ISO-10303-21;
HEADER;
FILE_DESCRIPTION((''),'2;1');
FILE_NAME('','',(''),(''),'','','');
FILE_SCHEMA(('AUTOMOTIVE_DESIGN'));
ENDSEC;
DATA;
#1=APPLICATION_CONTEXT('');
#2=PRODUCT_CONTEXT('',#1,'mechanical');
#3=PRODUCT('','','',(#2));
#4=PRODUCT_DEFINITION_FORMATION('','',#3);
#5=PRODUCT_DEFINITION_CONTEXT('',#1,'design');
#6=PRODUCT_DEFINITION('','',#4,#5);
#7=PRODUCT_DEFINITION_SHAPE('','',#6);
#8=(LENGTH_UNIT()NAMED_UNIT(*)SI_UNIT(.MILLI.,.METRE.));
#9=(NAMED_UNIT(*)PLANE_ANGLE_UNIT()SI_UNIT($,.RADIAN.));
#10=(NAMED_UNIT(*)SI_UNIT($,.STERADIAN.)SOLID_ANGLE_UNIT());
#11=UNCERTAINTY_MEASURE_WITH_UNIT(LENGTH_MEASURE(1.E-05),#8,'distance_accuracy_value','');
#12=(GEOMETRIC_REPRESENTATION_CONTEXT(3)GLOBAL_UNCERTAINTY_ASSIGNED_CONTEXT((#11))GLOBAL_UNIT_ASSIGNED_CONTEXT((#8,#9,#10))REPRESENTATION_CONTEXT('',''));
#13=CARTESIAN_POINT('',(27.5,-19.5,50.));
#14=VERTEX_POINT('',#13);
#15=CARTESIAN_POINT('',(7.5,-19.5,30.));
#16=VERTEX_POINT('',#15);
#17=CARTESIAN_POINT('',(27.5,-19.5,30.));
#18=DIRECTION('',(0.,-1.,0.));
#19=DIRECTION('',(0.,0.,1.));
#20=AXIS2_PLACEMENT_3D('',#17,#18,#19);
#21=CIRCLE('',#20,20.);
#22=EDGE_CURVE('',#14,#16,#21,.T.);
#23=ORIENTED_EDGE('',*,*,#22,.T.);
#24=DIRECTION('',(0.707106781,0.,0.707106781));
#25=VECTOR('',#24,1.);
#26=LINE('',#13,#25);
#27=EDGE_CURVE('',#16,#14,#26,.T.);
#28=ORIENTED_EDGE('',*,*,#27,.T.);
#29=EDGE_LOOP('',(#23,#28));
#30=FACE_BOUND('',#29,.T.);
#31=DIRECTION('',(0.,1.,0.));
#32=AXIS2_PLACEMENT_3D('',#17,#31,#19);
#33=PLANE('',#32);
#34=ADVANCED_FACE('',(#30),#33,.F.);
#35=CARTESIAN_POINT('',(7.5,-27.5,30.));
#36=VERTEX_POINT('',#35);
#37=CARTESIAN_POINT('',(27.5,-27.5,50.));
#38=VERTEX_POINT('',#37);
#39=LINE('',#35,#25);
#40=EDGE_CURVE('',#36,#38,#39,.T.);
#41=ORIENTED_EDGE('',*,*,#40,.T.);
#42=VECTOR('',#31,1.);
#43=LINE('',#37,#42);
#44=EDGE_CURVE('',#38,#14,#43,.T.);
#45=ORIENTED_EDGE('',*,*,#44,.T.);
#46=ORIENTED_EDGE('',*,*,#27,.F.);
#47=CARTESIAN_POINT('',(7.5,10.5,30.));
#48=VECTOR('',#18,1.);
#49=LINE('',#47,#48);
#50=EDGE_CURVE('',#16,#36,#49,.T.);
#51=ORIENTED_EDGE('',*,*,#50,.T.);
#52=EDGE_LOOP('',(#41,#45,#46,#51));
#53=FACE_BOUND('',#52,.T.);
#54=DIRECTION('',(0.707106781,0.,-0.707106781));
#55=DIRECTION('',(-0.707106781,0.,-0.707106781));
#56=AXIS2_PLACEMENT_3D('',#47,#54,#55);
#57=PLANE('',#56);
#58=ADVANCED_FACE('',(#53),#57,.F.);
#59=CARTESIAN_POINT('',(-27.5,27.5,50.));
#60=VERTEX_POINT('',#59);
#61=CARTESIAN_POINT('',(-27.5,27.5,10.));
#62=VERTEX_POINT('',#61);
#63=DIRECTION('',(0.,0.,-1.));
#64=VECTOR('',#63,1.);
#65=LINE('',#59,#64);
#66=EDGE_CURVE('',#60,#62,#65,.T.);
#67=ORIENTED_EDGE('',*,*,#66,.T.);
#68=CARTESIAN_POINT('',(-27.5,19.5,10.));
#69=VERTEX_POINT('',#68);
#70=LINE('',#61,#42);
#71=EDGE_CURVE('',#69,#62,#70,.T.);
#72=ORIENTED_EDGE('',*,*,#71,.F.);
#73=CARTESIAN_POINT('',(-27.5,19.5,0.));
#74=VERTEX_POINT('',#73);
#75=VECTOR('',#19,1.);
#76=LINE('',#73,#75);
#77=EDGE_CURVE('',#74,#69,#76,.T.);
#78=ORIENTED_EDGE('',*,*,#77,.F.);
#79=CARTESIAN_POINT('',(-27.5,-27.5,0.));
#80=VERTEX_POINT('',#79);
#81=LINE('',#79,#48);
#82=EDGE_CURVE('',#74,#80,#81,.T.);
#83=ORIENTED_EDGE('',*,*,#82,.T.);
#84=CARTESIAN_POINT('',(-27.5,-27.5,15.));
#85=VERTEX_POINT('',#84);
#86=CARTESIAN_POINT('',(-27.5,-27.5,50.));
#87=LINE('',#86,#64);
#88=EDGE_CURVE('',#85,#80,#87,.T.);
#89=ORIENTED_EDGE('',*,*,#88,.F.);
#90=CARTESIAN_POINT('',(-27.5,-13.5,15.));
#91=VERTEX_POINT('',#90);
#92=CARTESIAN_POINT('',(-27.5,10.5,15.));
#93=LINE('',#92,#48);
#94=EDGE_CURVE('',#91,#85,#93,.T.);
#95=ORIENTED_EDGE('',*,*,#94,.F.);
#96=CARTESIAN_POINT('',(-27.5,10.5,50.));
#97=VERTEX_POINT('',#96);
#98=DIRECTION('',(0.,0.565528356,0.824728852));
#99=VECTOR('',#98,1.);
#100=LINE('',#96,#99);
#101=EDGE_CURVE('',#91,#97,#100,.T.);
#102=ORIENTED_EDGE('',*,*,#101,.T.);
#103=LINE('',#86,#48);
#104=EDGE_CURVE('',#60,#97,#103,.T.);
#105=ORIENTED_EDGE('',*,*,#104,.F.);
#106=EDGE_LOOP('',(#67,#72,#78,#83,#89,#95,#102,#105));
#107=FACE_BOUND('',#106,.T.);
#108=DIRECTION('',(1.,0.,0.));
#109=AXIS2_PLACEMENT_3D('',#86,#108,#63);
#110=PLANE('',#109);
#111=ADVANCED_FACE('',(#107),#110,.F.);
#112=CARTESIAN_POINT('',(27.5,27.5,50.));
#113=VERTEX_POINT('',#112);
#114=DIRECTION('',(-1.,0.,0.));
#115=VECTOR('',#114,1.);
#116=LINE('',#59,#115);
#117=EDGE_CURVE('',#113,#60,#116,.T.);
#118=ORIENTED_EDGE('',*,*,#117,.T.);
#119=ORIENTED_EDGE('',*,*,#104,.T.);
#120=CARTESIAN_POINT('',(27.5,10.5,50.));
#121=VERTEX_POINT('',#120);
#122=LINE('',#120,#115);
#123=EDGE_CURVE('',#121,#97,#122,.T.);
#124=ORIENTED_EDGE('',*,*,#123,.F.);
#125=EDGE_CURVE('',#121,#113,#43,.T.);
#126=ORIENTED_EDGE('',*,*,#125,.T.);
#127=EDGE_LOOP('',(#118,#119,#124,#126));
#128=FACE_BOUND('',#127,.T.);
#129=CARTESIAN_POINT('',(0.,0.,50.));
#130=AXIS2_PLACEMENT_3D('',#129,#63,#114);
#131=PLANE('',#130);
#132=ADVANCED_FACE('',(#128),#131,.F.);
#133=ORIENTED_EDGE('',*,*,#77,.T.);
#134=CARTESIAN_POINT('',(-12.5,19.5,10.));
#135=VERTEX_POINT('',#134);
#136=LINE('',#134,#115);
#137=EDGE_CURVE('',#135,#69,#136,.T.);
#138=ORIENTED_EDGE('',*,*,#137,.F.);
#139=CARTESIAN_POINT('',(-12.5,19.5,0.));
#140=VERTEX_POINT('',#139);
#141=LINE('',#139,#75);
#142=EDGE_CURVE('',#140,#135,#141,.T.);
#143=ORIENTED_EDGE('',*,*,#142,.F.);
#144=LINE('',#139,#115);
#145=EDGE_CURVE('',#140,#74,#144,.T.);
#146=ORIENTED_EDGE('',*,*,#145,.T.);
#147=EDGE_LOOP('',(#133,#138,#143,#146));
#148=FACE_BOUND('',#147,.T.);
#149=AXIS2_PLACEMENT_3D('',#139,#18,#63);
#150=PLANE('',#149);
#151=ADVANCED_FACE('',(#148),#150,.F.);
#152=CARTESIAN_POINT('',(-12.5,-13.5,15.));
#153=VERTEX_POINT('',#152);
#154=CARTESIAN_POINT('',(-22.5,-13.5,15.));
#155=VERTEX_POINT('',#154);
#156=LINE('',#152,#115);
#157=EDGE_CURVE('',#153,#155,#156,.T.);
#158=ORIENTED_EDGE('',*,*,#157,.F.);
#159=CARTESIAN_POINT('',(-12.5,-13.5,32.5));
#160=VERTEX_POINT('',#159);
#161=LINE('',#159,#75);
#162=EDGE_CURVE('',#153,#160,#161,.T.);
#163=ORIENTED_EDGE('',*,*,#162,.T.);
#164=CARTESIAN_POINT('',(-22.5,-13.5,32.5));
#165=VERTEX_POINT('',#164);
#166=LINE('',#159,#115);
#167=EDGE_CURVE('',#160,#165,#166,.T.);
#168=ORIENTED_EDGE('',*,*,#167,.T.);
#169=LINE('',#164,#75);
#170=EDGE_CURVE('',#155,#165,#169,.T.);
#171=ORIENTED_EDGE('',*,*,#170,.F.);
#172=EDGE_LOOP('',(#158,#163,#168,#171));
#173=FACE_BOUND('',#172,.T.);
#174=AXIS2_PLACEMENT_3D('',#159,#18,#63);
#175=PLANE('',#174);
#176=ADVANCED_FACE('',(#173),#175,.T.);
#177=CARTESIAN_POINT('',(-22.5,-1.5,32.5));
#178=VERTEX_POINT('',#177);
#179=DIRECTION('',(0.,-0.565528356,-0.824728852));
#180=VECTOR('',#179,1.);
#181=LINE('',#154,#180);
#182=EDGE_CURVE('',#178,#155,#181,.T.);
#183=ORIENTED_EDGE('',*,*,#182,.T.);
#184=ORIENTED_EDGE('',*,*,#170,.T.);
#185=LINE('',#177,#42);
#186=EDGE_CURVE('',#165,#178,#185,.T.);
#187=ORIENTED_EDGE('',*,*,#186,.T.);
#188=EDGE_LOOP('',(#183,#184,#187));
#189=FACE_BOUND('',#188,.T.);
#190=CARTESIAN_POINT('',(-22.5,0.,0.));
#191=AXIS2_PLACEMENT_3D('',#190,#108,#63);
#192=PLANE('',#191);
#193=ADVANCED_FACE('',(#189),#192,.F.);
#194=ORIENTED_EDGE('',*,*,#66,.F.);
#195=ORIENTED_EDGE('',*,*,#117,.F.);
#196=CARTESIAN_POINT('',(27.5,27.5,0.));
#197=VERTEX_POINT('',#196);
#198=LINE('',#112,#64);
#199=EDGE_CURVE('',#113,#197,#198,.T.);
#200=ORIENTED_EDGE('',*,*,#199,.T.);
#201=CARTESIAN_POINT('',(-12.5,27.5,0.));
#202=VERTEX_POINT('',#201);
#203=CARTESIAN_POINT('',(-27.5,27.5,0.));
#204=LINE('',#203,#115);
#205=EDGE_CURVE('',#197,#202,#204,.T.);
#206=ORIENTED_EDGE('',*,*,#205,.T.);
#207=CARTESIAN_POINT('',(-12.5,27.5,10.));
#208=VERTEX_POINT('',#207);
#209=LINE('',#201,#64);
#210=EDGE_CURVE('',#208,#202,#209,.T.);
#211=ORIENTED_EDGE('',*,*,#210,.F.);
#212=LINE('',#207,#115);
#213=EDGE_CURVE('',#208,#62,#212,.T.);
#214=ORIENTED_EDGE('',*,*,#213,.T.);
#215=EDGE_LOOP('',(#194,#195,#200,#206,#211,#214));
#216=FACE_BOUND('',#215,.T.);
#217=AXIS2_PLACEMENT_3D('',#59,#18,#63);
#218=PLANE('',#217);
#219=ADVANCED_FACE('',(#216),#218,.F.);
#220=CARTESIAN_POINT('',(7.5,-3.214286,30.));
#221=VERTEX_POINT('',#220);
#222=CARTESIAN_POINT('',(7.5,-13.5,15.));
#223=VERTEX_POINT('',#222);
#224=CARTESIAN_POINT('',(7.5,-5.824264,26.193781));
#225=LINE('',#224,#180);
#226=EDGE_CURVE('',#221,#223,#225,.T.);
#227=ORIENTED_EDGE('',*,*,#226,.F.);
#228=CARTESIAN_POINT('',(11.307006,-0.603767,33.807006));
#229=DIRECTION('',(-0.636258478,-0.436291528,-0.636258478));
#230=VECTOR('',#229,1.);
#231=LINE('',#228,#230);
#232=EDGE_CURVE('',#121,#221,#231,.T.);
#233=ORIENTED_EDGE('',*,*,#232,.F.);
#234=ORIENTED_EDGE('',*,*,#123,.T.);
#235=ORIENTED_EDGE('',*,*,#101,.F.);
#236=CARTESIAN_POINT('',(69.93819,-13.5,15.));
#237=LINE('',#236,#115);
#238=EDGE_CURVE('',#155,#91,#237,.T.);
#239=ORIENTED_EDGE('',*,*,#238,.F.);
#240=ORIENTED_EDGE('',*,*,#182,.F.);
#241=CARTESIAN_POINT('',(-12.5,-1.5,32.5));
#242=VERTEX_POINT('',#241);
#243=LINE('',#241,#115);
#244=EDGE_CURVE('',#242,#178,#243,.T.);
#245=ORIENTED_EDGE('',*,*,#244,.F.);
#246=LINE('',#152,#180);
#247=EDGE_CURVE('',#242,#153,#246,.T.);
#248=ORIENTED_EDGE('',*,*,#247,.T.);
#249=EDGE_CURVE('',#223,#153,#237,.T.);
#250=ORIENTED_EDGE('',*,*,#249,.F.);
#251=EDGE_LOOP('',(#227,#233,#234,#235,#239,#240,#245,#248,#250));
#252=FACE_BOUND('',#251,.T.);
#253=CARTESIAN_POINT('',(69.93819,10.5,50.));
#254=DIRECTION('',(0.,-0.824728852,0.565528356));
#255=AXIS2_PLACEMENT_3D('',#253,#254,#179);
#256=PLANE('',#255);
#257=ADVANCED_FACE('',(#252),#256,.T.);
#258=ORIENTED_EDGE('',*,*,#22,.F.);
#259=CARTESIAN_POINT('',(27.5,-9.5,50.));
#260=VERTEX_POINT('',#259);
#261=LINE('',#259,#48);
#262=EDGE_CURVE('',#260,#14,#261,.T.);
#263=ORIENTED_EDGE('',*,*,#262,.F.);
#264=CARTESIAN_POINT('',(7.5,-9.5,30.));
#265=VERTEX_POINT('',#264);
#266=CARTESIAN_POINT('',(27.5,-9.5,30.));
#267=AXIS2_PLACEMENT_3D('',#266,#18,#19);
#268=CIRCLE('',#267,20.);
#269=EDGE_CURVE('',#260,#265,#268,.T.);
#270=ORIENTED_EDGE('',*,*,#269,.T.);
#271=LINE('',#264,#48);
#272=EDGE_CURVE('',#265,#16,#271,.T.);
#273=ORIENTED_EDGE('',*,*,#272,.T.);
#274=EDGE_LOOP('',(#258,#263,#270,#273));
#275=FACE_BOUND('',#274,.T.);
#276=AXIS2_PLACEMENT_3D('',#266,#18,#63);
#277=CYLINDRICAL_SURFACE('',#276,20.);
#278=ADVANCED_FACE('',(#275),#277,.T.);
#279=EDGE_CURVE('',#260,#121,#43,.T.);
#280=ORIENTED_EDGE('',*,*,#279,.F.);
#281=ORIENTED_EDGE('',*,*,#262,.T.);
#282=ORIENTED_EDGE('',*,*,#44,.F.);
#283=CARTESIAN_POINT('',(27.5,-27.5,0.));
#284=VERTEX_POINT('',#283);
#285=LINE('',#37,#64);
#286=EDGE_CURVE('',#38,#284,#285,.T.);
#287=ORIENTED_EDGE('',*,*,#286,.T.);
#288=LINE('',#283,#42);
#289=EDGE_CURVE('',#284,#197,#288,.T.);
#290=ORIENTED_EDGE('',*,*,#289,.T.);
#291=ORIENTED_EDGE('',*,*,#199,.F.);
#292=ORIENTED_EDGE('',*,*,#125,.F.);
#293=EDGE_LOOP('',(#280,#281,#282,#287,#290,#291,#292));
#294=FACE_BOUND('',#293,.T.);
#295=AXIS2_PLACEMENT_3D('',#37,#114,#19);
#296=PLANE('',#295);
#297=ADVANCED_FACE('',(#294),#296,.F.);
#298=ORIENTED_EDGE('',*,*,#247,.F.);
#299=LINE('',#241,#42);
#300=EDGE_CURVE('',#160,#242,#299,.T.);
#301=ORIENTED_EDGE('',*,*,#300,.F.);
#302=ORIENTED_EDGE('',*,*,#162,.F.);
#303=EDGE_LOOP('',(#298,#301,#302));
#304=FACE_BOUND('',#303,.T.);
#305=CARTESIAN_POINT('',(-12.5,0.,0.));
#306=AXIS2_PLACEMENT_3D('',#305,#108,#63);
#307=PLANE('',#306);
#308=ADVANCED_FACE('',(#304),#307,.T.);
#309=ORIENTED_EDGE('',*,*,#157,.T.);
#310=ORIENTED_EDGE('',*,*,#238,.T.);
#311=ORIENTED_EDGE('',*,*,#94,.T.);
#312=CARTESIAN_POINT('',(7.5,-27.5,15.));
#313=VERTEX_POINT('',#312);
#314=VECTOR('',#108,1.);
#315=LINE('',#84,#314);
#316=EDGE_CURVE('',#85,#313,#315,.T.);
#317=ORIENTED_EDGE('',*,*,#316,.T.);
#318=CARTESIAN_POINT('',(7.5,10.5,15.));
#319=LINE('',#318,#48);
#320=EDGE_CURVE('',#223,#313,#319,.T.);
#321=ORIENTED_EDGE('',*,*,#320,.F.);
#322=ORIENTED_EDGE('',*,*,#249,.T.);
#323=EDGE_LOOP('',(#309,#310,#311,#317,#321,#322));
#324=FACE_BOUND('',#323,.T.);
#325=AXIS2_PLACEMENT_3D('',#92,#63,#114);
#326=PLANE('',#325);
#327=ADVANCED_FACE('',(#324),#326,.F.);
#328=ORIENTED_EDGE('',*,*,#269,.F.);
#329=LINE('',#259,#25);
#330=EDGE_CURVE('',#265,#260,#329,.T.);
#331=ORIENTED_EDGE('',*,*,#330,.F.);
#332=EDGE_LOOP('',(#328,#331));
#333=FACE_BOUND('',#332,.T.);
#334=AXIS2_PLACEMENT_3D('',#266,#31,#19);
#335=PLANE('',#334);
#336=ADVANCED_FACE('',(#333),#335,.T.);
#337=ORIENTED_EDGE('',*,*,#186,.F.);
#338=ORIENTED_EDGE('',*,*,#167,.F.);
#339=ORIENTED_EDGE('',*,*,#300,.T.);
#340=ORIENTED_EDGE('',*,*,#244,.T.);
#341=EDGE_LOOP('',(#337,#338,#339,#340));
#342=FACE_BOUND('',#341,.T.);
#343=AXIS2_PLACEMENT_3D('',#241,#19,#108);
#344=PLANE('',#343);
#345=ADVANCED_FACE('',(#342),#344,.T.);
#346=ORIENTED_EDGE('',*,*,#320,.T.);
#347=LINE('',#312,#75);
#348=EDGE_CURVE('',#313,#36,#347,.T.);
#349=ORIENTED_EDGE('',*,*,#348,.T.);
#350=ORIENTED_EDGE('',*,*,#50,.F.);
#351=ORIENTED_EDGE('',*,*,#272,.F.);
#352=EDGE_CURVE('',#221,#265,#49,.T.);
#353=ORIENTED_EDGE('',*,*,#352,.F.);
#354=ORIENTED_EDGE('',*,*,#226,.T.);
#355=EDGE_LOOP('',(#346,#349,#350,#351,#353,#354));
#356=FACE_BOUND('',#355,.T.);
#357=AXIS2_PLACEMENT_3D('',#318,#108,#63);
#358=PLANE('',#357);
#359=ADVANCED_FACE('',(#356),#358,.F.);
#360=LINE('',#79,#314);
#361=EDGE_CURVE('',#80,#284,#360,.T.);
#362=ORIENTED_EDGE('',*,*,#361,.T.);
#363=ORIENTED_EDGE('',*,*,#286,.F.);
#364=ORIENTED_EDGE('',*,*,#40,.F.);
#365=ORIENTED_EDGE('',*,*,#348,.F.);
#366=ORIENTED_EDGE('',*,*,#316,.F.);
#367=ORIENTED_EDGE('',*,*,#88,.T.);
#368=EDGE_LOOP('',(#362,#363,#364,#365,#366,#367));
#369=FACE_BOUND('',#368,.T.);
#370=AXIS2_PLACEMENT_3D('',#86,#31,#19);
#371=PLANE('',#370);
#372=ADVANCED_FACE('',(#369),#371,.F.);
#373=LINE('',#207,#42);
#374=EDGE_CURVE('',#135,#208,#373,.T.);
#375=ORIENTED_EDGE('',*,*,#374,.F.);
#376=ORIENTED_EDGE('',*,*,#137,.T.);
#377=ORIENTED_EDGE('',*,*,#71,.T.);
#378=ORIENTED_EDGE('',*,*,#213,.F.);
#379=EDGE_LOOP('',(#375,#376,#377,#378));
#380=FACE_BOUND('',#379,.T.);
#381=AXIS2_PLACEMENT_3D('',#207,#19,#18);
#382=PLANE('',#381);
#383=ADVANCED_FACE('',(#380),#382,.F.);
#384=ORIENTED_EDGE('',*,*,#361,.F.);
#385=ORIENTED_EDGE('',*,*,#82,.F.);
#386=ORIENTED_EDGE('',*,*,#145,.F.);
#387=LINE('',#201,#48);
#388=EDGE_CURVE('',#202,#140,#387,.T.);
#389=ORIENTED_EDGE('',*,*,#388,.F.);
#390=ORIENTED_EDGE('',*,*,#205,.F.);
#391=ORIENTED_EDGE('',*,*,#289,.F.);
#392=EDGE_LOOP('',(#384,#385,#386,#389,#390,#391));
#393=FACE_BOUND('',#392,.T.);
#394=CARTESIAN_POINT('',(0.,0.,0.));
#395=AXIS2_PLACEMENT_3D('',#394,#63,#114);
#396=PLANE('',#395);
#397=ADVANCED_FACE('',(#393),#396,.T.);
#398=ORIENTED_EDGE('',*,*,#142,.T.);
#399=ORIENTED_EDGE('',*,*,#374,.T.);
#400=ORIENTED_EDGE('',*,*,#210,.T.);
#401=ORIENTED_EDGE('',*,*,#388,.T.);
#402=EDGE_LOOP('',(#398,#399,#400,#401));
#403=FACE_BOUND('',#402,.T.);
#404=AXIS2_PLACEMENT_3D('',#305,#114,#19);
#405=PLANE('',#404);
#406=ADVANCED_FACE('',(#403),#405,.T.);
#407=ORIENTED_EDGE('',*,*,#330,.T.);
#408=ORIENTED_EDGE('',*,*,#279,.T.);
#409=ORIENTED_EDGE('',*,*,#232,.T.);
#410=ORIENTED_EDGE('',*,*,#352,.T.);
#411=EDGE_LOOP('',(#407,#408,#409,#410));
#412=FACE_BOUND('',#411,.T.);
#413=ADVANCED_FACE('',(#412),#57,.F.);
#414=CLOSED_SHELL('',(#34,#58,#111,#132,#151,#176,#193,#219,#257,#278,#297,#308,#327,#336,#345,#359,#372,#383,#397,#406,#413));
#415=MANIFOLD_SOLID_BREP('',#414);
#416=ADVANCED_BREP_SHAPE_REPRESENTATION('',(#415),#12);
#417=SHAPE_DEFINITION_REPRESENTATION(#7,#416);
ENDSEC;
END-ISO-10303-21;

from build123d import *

# Parameters (mm, degrees)
SKETCH_1_W          = 55
SKETCH_1_H          = 55
EXTRUDE_1_DEPTH     = 50
CUT_EXTRUDE_1_DEPTH = 38
EXTRUDE_2_REACH     = 81.254
EXTRUDE_START       = -5
EXTRUDE_3_DEPTH     = 10
EXTRUDE_START_2     = -8
EXTRUDE_4_DEPTH     = 10
SKETCH_6_W          = 10
SKETCH_6_H          = 8
CUT_EXTRUDE_2_DEPTH = 15


with BuildPart() as part:
    # Эскиз1 → Бобышка-Вытянуть1 (new body)
    with BuildSketch(Plane.XY):
        Rectangle(SKETCH_1_W, SKETCH_1_H)
    extrude(amount=EXTRUDE_1_DEPTH)

    # Эскиз2 → Вырез-Вытянуть1 (cut)
    with BuildSketch(Plane.XZ.offset(27.5)):
        Polygon((-27.5, 15), (7.5, 15), (7.5, 30), (27.5, 50), (-27.5, 50), align=None)
    extrude(amount=-CUT_EXTRUDE_1_DEPTH, mode=Mode.SUBTRACT)

    # Бобышка-Вытянуть2: up to this face of the body (flat: up to its plane)
    extrude_2_end = Plane(part.part.faces().sort_by_distance((27.5, 0, 25))[0])
    # Эскиз3 → Бобышка-Вытянуть2 (add, up to the picked face)
    with BuildSketch(Plane.ZY.offset(27.5), mode=Mode.PRIVATE) as extrude_2_sk1:
        Polygon((50, 10.5), (15, -13.5), (15, 10.5), align=None)
    extrude_2_tool1 = split(extrude(extrude_2_sk1.sketch, amount=-EXTRUDE_2_REACH, mode=Mode.PRIVATE), bisect_by=extrude_2_end, keep=Keep.BOTH, mode=Mode.PRIVATE)
    add(extrude_2_tool1.solids().sort_by(Axis((-27.5, 2.5, 26.666667), (1, 0, 0)))[0])

    # Эскиз4 → Бобышка-Вытянуть3 (add)
    with BuildSketch(Plane.ZY.offset(27.5).offset(EXTRUDE_START)):
        Polygon((32.5, -1.5), (32.5, -13.5), (15, -13.5), align=None)
    extrude(amount=-EXTRUDE_3_DEPTH)

    # Эскиз5 → Бобышка-Вытянуть4 (add)
    with BuildSketch(Plane.XZ.offset(27.5).offset(EXTRUDE_START_2)):
        with BuildLine():
            Line((27.5, 50), (7.5, 30))
            ThreePointArc((7.5, 30), (13.357864376, 44.142135624), (27.5, 50))
        make_face()
    extrude(amount=-EXTRUDE_4_DEPTH)

    # Эскиз6 → Вырез-Вытянуть2 (cut)
    with BuildSketch(Plane.ZY.offset(27.5)):
        with Locations((5, 23.5)):
            Rectangle(SKETCH_6_W, SKETCH_6_H)
    extrude(amount=-CUT_EXTRUDE_2_DEPTH, mode=Mode.SUBTRACT)


solid = part.part
